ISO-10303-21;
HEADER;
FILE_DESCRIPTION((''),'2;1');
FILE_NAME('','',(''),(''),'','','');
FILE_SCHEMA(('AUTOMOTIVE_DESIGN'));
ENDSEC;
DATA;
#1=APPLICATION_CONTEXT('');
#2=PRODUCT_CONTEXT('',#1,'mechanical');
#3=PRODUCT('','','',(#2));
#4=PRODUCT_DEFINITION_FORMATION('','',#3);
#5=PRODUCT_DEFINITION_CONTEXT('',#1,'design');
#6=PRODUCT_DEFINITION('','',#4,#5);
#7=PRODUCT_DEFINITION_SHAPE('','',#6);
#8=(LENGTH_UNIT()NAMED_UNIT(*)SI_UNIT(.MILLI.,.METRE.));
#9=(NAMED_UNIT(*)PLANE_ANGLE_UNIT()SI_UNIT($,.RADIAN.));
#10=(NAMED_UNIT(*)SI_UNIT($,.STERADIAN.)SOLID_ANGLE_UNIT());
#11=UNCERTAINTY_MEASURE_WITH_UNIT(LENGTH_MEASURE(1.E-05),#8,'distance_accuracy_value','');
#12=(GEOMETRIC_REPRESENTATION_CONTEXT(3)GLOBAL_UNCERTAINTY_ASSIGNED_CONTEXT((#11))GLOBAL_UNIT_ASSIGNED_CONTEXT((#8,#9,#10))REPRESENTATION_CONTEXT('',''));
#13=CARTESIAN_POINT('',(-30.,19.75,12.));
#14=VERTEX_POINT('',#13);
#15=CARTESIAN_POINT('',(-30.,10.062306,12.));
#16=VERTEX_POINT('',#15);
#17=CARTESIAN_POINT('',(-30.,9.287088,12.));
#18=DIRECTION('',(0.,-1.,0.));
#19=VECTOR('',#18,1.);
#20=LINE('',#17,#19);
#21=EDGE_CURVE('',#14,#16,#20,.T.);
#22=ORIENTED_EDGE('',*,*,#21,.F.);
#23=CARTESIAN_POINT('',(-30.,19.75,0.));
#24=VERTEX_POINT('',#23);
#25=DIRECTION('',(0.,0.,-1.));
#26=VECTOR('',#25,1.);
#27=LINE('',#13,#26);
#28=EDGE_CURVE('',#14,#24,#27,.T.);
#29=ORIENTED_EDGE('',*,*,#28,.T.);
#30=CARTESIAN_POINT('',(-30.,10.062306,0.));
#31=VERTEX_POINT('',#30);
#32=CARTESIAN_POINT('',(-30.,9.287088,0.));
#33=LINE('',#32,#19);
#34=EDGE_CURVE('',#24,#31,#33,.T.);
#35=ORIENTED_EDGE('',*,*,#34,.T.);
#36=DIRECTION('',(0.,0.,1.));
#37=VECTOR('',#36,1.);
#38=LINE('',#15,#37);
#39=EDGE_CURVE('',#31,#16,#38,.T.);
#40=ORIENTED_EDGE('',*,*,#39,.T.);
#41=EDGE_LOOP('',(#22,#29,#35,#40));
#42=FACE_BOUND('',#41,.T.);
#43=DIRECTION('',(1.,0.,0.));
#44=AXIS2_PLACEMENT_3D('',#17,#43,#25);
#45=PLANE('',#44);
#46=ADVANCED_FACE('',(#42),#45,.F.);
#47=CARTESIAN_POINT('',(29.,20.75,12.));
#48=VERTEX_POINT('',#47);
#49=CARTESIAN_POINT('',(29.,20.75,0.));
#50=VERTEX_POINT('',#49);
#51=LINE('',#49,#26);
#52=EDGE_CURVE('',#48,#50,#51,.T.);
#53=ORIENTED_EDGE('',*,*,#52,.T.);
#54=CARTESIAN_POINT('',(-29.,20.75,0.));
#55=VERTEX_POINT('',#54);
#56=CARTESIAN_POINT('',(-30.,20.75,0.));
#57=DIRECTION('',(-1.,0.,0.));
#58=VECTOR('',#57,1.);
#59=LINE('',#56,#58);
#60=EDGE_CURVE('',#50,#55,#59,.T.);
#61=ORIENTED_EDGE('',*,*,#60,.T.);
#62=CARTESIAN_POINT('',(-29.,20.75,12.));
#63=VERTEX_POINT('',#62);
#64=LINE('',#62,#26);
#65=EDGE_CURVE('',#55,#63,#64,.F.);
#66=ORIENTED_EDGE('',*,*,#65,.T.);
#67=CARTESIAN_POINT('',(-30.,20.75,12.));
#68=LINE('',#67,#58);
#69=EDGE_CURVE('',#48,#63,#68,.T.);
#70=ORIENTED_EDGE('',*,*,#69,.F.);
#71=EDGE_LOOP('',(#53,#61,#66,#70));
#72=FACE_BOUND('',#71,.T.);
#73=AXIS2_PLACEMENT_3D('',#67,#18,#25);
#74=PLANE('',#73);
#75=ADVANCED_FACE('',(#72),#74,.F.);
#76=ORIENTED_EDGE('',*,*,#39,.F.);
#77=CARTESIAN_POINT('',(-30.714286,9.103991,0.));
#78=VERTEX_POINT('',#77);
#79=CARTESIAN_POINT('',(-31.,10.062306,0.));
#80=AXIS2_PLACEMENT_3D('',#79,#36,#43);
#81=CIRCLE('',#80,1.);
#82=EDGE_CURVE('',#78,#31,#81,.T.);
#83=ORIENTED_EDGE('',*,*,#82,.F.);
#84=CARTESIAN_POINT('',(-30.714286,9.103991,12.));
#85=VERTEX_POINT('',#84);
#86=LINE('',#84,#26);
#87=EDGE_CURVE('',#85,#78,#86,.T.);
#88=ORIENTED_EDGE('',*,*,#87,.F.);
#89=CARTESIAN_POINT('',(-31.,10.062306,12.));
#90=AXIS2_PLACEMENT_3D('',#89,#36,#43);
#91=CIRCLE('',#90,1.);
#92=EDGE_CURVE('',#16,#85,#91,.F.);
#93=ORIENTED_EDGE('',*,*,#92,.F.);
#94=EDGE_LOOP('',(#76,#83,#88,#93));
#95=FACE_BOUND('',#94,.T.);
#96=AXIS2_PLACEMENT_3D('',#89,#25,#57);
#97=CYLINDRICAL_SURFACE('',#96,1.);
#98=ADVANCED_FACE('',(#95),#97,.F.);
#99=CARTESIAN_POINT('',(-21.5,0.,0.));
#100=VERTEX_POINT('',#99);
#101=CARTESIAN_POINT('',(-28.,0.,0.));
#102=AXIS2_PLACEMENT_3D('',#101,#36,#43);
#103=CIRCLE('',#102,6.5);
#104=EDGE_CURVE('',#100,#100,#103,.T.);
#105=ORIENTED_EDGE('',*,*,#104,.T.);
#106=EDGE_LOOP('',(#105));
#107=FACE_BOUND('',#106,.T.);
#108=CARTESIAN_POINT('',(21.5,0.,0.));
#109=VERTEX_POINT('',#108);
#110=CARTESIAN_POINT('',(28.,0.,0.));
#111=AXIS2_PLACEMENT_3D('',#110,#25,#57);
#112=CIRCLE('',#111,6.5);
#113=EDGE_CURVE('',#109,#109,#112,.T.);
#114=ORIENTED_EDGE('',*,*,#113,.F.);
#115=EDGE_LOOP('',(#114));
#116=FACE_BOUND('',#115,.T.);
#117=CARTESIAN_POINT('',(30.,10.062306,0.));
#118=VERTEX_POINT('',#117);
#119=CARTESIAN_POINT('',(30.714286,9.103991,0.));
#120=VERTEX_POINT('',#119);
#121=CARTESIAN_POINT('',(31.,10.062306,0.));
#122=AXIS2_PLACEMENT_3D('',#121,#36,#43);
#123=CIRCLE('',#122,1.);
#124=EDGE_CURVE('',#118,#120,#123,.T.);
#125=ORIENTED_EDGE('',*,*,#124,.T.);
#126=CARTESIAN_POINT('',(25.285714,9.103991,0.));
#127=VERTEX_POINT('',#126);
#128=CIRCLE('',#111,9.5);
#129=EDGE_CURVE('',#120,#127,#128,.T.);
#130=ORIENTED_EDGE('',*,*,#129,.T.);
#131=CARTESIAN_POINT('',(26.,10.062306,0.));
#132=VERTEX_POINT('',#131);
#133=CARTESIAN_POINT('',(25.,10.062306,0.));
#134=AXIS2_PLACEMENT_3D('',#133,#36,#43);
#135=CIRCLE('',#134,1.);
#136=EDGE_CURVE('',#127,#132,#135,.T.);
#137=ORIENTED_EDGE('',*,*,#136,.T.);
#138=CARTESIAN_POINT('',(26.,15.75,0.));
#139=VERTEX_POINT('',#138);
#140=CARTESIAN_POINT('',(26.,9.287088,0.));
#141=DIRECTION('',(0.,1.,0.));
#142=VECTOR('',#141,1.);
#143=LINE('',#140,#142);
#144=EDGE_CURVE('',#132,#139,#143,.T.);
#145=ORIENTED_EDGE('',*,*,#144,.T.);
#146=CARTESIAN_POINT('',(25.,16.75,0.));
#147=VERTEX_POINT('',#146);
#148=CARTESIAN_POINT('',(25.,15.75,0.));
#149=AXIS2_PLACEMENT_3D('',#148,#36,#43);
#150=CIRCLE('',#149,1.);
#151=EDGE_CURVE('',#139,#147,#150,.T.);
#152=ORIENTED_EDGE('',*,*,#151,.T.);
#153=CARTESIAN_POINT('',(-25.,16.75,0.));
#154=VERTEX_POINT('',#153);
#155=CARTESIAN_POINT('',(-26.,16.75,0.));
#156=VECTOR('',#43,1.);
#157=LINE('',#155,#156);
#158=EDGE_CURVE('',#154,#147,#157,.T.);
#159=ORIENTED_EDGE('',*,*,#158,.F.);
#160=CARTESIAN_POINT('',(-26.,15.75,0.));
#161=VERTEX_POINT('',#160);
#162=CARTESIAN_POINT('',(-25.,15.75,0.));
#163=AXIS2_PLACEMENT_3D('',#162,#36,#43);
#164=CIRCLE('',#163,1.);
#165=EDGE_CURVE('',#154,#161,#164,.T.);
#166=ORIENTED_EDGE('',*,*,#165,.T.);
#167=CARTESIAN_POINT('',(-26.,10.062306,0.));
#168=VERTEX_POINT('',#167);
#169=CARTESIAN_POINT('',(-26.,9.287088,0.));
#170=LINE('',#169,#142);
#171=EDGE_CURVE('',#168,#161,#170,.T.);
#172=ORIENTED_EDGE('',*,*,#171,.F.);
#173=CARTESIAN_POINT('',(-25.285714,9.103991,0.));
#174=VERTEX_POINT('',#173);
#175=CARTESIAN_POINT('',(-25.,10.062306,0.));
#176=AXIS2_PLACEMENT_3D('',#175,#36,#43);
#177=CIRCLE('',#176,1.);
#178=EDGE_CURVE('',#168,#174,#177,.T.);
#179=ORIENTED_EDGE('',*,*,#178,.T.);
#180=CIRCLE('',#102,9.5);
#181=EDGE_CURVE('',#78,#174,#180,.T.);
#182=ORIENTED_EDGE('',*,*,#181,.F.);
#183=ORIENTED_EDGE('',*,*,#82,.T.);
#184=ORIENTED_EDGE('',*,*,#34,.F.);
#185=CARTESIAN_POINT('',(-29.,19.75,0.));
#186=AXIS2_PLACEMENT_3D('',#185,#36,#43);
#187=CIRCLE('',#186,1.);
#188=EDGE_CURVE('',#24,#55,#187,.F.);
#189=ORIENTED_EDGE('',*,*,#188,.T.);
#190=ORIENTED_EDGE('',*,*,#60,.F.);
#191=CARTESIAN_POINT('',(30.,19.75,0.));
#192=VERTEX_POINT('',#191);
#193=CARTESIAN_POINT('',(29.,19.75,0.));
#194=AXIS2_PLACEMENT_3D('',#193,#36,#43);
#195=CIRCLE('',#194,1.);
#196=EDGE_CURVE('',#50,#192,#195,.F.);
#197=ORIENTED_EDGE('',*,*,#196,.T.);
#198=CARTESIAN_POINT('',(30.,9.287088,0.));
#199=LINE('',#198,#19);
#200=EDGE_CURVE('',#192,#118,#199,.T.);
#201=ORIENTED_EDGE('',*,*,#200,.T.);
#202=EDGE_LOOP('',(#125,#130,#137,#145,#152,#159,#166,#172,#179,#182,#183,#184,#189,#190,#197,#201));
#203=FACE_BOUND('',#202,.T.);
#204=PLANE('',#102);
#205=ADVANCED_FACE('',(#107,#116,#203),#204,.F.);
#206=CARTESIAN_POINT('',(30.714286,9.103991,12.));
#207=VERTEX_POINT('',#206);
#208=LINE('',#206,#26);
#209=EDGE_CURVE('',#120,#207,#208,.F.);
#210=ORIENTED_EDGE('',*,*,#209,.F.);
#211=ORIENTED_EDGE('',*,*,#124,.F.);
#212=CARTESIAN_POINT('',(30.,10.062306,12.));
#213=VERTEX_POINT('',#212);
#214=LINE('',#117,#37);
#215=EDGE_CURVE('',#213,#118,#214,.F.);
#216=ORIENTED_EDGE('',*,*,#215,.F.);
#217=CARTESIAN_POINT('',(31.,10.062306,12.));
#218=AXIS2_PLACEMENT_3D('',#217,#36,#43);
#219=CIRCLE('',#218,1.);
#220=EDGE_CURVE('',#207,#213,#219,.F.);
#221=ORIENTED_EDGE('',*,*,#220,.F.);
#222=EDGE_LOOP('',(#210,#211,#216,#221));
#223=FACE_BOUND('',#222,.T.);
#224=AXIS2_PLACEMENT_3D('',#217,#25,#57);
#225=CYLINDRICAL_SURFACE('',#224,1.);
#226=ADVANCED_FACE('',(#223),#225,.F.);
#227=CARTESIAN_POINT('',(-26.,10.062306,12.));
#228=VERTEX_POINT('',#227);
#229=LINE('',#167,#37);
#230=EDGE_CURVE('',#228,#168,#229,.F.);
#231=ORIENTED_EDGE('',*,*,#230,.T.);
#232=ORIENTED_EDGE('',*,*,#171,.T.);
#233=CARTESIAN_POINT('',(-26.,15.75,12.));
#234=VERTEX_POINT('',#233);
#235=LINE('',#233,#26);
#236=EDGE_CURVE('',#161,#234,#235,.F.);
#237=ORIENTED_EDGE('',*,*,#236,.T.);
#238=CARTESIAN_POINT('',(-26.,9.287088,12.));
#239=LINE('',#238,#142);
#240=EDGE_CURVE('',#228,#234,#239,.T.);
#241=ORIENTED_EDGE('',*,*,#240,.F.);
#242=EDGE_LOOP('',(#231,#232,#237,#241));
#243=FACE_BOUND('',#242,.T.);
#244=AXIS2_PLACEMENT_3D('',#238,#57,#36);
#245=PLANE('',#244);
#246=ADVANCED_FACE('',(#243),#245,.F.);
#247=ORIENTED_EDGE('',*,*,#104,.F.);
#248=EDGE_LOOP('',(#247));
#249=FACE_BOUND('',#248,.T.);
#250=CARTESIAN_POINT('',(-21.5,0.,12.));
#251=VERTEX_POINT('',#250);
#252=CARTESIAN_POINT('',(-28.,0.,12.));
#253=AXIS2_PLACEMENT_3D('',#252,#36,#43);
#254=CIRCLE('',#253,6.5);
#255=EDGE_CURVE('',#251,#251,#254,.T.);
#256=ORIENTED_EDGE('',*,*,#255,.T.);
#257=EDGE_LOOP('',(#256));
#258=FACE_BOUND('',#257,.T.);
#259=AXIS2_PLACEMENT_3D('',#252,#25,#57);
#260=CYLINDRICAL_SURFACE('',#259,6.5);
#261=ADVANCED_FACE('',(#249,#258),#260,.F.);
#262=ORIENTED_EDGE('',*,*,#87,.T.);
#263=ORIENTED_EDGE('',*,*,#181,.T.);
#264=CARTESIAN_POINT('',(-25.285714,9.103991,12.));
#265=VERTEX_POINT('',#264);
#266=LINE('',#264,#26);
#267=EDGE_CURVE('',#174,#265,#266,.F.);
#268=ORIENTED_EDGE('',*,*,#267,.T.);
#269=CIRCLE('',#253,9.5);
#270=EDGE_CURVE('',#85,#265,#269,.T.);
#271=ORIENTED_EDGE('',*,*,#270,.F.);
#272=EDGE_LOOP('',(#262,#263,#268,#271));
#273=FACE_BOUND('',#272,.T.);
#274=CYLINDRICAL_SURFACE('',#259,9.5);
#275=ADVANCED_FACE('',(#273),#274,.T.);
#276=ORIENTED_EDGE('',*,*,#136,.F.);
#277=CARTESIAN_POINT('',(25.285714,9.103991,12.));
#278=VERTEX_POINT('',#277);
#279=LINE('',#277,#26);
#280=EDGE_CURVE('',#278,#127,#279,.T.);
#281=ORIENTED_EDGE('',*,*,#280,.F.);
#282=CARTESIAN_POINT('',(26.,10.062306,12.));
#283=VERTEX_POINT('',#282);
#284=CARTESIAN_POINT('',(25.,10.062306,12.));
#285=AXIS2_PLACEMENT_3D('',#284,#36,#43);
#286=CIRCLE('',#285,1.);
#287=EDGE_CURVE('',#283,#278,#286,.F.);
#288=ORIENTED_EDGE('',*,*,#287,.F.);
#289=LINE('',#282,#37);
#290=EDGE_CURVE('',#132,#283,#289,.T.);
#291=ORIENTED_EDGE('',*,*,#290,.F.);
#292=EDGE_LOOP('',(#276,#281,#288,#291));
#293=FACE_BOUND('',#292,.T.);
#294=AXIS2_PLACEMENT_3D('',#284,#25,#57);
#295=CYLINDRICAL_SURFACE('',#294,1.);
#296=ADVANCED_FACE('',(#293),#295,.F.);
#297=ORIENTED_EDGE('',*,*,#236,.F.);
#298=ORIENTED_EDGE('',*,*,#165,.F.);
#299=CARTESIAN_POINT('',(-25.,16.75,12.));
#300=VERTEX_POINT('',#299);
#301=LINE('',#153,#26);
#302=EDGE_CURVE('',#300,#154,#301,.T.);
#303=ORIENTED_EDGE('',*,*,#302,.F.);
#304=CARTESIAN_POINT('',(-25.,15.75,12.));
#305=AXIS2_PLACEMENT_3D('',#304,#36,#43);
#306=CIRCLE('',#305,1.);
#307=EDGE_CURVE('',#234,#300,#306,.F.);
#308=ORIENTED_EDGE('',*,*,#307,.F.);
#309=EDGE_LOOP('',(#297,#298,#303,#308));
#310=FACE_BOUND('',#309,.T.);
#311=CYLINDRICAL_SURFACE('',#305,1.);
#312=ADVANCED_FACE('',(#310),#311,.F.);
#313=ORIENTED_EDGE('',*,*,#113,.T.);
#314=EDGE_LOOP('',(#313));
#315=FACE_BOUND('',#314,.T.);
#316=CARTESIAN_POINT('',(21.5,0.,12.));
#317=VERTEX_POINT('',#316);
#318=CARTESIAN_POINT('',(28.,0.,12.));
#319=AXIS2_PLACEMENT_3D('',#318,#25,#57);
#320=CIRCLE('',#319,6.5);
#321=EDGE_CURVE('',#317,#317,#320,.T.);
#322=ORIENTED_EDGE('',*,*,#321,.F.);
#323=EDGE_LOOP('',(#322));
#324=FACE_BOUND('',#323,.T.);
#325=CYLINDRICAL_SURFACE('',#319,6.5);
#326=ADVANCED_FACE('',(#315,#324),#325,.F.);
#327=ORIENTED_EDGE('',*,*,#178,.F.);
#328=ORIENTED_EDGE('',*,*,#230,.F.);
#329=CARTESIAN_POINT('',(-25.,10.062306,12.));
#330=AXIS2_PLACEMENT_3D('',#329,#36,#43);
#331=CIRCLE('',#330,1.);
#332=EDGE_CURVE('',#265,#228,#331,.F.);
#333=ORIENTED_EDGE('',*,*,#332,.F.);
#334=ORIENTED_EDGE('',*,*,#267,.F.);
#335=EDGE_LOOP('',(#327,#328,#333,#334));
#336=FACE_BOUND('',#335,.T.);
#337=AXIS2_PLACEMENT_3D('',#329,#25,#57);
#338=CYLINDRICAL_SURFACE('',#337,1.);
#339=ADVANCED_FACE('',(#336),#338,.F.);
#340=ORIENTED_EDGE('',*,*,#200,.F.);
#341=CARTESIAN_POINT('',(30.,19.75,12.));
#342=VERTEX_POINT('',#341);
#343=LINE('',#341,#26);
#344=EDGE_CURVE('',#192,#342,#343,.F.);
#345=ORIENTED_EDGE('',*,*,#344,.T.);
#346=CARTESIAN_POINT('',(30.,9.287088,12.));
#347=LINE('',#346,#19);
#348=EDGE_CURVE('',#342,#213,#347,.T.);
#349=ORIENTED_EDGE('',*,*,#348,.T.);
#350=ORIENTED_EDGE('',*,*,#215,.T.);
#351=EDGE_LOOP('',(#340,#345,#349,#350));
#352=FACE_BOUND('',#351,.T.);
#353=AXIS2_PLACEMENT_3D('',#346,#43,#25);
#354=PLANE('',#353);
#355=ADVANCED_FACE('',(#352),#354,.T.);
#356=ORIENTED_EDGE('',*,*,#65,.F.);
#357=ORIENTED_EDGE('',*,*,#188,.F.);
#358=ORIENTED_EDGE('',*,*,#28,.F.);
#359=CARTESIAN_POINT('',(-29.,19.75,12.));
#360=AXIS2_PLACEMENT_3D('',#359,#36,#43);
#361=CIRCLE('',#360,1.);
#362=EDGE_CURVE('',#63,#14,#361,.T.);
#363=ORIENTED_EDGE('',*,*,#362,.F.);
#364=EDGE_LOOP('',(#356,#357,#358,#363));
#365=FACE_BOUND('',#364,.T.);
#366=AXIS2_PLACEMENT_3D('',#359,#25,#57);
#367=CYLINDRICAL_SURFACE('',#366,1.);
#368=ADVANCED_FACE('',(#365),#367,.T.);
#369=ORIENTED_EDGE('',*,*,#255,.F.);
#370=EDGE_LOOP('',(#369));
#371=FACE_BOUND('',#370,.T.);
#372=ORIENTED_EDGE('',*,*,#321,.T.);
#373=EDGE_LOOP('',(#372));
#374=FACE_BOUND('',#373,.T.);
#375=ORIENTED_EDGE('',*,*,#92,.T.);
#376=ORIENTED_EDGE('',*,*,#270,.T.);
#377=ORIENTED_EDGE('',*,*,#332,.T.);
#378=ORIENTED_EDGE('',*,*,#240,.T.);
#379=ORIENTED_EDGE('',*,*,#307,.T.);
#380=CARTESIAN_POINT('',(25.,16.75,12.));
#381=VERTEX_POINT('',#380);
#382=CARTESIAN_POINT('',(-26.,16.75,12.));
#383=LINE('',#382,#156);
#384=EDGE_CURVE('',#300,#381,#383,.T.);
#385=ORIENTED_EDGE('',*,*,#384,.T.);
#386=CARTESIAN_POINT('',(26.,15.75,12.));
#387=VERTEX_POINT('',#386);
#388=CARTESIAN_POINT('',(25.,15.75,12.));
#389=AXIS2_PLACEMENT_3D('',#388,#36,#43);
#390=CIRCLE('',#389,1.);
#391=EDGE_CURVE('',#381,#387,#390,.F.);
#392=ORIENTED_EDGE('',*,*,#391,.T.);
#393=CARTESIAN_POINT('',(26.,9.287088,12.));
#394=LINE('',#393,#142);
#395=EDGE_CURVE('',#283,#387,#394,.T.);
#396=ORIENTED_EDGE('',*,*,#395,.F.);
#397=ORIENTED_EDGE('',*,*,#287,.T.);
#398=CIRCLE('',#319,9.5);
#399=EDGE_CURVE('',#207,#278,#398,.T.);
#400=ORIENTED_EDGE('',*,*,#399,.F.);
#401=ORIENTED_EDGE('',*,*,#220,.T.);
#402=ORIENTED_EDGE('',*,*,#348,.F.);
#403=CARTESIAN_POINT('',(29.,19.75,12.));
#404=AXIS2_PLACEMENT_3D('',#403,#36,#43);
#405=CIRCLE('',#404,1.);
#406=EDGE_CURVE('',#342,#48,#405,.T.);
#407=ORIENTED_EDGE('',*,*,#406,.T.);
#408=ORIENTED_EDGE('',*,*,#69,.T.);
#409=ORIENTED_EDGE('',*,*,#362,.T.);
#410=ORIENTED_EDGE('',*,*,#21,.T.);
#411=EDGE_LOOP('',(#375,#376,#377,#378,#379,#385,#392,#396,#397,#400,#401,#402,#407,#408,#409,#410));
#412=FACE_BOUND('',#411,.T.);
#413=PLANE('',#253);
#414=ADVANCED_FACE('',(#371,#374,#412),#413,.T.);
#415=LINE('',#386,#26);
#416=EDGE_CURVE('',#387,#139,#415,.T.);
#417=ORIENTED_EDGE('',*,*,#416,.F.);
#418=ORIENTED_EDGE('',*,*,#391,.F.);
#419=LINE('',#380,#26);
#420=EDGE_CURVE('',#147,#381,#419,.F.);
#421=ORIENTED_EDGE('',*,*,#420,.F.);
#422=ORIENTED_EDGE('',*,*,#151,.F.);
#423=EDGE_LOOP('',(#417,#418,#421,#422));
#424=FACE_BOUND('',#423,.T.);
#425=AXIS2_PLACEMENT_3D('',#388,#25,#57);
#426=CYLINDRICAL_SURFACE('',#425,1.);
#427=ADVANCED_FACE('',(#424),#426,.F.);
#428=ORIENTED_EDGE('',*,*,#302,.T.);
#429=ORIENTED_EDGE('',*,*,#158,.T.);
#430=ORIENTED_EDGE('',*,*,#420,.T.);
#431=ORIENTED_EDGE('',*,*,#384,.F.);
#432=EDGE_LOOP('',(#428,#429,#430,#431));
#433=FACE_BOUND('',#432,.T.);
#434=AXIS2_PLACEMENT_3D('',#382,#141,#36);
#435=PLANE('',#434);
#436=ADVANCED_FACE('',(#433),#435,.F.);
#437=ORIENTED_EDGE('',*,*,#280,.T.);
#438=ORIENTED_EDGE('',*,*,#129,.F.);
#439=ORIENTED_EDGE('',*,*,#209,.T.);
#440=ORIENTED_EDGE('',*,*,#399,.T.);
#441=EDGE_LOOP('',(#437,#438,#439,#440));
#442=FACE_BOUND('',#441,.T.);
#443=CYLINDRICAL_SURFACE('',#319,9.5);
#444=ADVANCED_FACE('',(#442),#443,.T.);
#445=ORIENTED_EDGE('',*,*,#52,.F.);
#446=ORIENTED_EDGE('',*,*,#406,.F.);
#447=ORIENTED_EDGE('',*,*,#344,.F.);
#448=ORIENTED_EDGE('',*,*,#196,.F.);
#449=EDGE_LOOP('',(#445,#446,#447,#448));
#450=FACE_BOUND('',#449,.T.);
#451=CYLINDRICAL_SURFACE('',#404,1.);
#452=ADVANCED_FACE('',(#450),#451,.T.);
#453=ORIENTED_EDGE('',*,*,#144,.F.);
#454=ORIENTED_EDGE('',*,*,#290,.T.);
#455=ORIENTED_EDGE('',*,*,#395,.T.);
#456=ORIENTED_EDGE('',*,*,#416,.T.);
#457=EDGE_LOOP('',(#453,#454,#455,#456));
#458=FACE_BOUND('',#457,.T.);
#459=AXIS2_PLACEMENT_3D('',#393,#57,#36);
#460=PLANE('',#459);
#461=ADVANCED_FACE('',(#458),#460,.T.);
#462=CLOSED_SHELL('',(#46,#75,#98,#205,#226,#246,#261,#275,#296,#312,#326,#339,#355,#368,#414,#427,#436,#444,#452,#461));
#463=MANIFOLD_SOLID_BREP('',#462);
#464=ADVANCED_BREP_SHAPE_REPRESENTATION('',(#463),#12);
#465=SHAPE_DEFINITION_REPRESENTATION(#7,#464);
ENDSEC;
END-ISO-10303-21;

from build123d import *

# Parameters (mm, degrees)
SKETCH1_R           = 6.5
BOSS_EXTRUDE1_DEPTH = 12
FILLET1_R           = 1


with BuildPart() as part:
    # Sketch1 → Boss-Extrude1 (new body)
    with BuildSketch(Plane.XY):
        with BuildLine():
            Line((-26, 9.287087811), (-26, 16.75))
            Line((-26, 16.75), (0, 16.75))
            Line((0, 16.75), (0, 20.75))
            Line((0, 20.75), (-30, 20.75))
            Line((-30, 20.75), (-30, 9.287087811))
            ThreePointArc((-30, 9.287087811), (-28, -9.5), (-26, 9.287087811))
        make_face()
        with Locations((-28, 0)):
            Circle(SKETCH1_R, mode=Mode.SUBTRACT)
    boss_extrude1 = extrude(amount=BOSS_EXTRUDE1_DEPTH)

    # Mirror1: Boss-Extrude1 across plane
    add(boss_extrude1.mirror(Plane(origin=(0, 0, 0), x_dir=(0, 0, 1), z_dir=(1, 0, 0))))

    # Fillet1
    fillet1_edges = [part.edges().sort_by_distance(p)[0] for p in [
        (-30, 9.287087811, 6),
        (-30, 20.75, 6),
        (-26, 16.75, 6),
        (-26, 9.287087811, 6),
        (26, 9.287087811, 6),
        (30, 9.287087811, 6),
        (30, 20.75, 6),
        (26, 16.75, 6),
    ]]
    fillet(fillet1_edges, radius=FILLET1_R)


solid = part.part
